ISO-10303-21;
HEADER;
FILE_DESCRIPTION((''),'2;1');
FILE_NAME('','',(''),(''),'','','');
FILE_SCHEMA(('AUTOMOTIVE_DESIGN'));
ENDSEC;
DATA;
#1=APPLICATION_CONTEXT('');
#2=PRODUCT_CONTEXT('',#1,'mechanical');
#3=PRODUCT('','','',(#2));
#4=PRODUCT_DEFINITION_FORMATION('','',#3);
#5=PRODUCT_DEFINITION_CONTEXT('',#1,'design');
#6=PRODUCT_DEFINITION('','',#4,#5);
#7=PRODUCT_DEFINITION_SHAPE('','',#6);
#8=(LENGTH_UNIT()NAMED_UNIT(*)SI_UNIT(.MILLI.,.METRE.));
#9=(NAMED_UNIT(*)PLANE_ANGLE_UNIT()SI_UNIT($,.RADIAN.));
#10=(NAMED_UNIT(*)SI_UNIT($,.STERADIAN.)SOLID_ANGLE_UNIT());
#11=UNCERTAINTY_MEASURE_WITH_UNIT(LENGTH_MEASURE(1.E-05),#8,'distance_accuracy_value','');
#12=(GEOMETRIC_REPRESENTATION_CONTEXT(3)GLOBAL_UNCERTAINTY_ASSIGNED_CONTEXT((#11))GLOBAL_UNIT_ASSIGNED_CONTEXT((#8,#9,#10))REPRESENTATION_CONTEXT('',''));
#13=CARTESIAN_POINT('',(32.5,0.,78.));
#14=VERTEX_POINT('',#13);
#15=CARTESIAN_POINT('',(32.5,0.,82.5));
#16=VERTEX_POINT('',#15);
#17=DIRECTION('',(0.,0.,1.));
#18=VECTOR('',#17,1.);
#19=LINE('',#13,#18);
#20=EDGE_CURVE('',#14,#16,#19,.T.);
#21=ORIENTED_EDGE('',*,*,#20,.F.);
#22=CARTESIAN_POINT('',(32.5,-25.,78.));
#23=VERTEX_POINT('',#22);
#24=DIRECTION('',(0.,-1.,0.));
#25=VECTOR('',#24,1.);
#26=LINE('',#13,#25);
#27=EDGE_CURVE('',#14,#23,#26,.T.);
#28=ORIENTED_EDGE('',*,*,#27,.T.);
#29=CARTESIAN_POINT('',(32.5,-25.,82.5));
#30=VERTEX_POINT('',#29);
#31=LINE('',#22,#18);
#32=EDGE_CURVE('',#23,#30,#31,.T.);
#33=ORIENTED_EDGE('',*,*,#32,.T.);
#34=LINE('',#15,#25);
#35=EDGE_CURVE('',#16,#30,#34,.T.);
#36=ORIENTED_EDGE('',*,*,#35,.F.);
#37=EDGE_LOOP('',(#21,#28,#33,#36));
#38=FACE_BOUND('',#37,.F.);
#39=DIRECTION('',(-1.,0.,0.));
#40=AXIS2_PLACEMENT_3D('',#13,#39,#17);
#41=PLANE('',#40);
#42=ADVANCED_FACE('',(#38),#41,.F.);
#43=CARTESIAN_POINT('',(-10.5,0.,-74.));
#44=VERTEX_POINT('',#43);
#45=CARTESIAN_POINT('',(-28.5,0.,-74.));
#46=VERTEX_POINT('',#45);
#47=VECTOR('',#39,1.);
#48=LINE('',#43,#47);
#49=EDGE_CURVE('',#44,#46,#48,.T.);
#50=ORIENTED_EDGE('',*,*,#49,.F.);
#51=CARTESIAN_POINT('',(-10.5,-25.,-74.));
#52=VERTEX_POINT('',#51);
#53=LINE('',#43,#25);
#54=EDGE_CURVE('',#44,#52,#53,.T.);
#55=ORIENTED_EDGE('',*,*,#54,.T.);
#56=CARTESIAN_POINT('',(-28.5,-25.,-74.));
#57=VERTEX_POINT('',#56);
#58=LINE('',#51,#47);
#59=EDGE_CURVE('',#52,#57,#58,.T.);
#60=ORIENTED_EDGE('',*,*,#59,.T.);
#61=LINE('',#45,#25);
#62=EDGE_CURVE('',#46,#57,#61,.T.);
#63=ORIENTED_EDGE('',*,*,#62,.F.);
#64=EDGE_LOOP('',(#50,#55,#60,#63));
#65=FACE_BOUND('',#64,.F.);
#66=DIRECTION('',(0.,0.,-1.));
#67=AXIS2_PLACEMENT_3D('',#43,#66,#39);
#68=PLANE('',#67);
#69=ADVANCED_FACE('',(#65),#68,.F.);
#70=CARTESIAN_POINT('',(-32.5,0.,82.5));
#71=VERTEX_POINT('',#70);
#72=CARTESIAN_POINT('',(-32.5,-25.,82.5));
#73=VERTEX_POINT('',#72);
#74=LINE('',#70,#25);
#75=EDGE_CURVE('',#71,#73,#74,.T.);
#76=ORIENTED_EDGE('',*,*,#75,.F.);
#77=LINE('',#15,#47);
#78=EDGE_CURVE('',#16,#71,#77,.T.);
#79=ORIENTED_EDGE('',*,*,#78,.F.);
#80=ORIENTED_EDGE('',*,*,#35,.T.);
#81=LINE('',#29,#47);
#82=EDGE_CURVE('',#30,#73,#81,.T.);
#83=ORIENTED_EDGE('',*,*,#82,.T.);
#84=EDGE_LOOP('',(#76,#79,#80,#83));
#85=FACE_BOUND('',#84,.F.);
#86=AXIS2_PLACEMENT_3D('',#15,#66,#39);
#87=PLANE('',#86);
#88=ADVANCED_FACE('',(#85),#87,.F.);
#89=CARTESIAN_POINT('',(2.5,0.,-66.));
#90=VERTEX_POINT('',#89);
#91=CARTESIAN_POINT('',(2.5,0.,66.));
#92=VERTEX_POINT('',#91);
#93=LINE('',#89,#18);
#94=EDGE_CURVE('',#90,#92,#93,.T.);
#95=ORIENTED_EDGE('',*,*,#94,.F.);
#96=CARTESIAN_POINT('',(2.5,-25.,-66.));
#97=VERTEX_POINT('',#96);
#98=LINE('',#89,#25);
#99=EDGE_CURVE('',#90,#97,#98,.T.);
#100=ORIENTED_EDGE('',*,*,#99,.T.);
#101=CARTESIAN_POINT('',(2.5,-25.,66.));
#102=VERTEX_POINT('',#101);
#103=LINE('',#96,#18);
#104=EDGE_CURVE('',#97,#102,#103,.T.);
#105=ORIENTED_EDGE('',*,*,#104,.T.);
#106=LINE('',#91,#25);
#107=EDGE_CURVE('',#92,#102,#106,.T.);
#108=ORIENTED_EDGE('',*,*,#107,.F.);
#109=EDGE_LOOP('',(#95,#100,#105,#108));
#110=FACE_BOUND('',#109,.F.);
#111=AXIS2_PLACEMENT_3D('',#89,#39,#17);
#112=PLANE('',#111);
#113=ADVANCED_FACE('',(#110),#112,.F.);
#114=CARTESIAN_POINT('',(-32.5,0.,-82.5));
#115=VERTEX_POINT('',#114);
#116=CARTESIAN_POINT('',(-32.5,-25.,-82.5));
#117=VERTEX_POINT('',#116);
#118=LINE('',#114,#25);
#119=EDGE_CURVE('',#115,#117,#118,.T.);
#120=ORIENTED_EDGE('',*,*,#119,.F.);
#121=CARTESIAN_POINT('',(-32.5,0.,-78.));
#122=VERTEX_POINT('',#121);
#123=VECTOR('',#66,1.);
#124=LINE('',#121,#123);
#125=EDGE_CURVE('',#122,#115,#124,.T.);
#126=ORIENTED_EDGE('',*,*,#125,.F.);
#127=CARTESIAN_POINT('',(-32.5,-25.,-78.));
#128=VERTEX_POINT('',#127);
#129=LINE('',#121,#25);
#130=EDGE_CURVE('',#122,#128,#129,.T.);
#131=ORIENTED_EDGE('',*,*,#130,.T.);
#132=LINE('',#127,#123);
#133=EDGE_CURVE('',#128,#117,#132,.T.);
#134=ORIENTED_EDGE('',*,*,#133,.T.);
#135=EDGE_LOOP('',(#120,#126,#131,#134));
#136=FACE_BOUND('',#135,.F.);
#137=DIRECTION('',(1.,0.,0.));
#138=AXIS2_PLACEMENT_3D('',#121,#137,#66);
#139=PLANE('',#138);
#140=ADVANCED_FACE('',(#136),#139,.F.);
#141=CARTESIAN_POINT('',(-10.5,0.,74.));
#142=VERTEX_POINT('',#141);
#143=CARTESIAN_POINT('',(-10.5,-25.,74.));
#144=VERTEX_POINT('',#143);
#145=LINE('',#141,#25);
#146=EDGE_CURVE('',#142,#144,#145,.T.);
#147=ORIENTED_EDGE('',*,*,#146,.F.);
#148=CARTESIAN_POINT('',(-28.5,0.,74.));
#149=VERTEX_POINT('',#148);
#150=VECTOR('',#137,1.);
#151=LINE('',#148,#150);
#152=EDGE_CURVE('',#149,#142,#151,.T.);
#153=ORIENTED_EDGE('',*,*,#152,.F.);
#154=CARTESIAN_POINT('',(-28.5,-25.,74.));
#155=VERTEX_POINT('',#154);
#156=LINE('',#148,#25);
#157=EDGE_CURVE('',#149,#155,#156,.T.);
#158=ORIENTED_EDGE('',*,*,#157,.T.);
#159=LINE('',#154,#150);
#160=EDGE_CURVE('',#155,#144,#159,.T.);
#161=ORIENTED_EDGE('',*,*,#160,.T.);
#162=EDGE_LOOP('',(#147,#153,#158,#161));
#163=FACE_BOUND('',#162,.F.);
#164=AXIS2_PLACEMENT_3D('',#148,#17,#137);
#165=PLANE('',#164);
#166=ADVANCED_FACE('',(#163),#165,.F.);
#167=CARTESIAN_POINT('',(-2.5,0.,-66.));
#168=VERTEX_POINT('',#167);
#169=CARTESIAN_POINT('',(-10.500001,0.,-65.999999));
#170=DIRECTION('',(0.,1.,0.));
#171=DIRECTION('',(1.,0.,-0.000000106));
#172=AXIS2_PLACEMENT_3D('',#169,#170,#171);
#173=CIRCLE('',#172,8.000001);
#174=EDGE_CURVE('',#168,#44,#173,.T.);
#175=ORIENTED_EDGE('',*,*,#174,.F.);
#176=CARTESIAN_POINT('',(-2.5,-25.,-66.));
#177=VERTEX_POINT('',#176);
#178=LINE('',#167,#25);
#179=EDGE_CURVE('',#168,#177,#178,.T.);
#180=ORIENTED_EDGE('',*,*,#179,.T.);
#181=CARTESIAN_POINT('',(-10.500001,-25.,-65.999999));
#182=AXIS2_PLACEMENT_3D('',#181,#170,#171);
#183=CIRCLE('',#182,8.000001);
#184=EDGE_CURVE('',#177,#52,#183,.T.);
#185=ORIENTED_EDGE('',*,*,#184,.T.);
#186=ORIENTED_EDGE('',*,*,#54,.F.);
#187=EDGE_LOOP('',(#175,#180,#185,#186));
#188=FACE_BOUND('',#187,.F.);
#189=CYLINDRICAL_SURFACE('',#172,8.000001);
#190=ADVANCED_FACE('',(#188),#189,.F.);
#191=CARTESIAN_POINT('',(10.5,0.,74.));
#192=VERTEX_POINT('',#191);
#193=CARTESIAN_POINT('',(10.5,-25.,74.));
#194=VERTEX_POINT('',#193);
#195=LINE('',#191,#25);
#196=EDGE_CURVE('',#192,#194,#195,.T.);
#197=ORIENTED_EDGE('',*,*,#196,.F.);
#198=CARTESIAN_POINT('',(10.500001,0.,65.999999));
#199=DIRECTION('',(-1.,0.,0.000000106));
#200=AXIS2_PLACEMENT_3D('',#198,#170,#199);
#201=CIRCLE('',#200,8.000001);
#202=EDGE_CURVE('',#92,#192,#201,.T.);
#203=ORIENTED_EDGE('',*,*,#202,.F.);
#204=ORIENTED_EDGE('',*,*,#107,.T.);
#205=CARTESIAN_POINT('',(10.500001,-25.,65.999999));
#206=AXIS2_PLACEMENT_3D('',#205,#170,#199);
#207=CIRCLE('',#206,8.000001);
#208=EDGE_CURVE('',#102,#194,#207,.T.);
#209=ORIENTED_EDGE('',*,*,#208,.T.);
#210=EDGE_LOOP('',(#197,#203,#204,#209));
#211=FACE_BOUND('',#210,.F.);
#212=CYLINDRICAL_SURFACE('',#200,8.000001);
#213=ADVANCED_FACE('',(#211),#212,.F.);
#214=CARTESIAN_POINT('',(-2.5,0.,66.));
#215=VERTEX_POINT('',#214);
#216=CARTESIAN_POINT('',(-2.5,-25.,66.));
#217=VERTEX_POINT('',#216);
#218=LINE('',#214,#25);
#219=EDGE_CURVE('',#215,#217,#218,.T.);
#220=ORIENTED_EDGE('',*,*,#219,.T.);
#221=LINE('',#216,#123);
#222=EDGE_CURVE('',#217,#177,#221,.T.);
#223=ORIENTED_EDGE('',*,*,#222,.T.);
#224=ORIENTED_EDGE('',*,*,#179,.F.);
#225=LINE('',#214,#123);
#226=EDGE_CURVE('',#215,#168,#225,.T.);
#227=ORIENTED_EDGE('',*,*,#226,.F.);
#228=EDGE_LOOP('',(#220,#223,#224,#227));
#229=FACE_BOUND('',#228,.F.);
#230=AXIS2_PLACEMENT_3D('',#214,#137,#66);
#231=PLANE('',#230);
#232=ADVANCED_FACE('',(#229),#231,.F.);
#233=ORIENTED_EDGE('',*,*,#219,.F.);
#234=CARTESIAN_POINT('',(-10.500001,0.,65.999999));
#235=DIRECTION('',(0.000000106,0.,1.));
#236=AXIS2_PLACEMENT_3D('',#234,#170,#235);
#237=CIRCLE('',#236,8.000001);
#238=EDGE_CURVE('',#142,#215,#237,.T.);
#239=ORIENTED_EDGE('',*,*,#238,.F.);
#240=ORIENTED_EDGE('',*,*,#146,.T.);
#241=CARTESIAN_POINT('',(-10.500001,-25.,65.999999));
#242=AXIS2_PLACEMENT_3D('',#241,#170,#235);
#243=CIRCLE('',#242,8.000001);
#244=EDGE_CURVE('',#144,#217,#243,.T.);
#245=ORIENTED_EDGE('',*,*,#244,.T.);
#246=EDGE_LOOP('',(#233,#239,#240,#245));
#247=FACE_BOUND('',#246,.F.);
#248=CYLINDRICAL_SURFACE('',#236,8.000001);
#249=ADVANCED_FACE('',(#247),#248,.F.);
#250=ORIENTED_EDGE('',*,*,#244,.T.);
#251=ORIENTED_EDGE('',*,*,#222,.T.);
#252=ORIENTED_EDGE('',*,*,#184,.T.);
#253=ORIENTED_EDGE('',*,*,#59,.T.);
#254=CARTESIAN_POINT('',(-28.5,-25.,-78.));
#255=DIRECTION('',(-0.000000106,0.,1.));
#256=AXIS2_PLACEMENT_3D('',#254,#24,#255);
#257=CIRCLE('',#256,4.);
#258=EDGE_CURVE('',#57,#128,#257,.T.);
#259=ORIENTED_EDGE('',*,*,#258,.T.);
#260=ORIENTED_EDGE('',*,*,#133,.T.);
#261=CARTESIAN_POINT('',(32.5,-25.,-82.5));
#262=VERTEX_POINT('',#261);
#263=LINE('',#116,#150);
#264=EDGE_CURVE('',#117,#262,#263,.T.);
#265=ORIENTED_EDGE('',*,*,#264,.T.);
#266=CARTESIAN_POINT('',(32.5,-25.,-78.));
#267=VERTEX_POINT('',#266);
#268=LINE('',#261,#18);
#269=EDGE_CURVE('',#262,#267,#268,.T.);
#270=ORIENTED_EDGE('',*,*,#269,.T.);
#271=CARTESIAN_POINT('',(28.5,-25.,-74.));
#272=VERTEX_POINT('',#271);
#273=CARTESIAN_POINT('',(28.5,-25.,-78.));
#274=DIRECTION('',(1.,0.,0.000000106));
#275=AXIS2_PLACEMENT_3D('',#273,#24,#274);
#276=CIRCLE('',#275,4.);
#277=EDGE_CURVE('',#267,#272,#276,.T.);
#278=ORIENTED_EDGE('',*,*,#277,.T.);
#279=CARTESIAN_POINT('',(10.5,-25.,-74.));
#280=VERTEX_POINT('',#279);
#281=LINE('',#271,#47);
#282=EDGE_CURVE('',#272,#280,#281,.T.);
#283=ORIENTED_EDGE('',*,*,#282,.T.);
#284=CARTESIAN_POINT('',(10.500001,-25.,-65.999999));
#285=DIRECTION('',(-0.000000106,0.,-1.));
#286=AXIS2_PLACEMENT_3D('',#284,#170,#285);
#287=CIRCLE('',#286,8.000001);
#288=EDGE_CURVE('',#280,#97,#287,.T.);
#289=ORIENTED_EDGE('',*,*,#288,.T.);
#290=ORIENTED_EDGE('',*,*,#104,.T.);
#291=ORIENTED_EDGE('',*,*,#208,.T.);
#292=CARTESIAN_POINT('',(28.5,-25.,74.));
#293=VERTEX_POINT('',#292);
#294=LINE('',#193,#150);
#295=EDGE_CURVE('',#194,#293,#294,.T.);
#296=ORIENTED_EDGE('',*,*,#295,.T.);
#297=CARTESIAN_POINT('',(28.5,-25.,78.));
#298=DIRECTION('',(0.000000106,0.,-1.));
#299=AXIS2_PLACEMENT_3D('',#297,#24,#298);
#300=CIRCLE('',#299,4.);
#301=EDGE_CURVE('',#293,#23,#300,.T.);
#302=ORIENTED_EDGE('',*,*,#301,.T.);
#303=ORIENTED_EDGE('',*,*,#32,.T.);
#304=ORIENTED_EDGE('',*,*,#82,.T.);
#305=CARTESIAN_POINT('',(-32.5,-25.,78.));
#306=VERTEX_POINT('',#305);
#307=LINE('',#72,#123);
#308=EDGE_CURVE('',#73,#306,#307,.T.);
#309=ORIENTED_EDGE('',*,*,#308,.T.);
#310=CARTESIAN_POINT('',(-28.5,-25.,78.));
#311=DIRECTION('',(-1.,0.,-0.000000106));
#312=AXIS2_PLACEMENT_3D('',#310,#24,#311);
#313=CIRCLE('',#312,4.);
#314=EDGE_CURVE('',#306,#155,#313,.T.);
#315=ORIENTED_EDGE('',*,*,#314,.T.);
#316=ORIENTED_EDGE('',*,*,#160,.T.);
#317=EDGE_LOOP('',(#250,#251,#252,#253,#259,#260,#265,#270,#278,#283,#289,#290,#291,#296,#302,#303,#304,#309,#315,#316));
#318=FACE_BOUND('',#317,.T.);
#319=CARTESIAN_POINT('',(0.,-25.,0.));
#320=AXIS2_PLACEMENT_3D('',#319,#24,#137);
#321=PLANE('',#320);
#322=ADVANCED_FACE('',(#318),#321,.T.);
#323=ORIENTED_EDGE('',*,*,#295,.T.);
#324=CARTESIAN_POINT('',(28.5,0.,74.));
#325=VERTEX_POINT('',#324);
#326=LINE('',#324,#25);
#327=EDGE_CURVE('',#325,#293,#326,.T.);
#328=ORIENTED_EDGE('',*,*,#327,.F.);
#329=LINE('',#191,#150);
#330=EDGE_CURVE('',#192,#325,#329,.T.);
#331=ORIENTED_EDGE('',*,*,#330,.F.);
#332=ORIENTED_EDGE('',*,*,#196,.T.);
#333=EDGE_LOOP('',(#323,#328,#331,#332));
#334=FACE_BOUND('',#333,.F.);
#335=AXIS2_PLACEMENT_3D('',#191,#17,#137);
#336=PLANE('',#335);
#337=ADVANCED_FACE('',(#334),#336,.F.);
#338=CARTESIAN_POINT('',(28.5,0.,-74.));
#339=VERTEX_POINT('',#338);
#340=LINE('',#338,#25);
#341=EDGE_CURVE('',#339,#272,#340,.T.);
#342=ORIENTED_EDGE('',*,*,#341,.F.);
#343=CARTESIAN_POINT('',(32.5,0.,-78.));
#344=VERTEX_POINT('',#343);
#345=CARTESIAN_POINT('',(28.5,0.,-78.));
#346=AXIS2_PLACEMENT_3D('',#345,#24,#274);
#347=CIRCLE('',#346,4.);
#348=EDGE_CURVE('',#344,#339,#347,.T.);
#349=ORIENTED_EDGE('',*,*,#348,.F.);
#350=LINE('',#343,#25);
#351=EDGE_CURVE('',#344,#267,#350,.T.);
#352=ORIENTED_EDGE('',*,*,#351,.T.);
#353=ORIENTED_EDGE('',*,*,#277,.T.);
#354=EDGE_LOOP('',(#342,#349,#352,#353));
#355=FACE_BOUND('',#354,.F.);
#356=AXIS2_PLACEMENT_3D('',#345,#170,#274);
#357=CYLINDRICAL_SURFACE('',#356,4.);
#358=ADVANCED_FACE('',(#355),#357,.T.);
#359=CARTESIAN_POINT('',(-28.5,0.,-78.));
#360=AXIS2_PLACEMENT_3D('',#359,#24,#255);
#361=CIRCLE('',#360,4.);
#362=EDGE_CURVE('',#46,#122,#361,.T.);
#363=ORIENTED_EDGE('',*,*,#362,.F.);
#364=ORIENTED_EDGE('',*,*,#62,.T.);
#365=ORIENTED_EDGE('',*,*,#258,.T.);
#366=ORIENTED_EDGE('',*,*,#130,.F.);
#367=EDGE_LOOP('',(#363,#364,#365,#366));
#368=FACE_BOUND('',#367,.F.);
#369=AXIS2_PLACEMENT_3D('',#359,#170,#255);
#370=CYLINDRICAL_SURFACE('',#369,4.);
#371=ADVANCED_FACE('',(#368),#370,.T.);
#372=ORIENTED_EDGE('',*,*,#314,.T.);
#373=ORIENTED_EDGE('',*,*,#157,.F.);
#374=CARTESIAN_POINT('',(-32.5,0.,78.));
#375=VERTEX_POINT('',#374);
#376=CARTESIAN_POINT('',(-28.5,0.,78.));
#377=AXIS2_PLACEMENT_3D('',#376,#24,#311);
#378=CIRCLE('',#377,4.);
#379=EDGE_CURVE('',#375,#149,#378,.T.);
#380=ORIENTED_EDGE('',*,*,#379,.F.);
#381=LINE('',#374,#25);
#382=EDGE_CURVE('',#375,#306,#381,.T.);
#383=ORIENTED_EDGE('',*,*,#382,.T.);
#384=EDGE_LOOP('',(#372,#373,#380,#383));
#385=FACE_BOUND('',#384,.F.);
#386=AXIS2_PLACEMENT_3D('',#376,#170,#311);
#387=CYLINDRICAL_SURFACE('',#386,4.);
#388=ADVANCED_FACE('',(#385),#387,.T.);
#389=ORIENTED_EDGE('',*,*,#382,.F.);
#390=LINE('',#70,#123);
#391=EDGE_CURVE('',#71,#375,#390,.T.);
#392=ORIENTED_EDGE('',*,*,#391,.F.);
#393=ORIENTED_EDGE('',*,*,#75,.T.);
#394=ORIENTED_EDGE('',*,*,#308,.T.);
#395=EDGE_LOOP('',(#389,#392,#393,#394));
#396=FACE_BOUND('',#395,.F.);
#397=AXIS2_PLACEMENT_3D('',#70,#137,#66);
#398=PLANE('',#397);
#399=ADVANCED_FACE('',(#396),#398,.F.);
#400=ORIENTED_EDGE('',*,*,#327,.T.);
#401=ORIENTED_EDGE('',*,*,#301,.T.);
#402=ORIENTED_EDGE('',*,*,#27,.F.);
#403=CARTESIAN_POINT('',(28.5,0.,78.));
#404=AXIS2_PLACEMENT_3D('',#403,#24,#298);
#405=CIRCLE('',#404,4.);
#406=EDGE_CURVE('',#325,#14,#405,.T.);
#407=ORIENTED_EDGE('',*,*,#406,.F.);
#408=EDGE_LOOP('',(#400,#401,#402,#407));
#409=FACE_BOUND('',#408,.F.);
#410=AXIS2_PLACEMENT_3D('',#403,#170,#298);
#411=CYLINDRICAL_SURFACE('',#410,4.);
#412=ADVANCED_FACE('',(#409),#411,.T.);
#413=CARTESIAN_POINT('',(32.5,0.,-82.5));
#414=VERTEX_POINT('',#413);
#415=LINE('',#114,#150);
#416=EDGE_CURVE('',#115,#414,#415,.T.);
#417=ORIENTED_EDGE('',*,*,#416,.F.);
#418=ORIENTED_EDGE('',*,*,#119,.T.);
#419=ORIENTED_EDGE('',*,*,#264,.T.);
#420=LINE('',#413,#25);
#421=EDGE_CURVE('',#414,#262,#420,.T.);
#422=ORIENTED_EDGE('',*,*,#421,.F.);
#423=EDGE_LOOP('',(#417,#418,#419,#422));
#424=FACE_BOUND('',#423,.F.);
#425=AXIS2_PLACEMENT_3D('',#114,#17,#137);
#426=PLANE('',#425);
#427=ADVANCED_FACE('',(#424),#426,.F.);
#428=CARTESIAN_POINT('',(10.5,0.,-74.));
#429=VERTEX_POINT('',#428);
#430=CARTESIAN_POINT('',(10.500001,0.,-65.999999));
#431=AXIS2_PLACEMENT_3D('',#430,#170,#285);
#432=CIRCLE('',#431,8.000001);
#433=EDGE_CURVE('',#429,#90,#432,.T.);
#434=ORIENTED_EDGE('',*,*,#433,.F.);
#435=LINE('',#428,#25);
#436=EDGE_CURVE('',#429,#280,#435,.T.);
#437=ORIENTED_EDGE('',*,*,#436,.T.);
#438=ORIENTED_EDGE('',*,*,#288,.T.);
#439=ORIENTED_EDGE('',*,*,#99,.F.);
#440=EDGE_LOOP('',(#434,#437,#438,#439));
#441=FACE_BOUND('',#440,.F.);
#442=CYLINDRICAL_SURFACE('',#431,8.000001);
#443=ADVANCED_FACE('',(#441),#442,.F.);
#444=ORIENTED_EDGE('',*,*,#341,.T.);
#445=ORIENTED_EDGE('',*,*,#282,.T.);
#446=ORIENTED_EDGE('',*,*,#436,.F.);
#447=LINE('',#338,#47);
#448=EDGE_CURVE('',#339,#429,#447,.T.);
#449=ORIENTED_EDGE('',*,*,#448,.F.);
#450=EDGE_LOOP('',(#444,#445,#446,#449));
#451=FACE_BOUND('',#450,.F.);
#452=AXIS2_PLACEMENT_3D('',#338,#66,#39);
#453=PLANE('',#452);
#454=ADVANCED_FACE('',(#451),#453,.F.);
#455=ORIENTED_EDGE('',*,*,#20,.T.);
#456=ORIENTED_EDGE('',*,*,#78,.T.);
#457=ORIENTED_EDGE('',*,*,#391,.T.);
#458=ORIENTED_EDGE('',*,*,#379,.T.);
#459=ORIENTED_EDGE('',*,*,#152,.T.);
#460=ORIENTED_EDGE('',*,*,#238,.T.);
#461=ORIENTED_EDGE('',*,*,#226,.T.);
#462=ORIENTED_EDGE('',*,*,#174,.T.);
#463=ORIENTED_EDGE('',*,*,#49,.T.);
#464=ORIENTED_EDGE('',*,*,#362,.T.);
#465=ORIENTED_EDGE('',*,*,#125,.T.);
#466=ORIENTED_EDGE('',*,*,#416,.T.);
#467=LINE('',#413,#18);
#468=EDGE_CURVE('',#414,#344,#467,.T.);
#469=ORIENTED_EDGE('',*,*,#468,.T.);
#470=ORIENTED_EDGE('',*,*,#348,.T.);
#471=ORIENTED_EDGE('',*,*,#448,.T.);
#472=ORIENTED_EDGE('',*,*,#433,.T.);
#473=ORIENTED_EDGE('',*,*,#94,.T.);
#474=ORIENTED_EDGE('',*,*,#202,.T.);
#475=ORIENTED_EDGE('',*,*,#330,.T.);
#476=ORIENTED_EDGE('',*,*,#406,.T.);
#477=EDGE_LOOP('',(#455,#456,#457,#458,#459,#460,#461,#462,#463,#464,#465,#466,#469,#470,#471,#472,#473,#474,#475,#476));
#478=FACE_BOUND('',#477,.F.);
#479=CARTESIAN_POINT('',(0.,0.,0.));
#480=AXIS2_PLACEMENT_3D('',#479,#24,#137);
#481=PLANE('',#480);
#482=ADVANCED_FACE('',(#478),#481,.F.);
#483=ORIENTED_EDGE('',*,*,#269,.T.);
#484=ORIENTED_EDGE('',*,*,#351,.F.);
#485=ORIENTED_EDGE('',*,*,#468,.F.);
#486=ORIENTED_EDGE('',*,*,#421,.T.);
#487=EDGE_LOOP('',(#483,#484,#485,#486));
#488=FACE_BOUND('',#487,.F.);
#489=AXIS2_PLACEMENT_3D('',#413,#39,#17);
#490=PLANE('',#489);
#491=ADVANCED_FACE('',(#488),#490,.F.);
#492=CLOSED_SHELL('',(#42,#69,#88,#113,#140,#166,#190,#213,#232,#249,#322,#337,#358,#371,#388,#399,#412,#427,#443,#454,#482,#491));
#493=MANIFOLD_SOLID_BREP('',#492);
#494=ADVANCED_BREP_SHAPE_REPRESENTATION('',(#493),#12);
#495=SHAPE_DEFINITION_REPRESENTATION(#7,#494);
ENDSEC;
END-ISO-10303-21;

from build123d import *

# Parameters (mm, degrees)
F1_DEPTH = 25


with BuildPart() as f1:
    # F0 (on Front) → F1 (new body)
    with BuildSketch(Plane.XZ):
        with BuildLine():
            Line((32.5, 82.5), (-32.5, 82.5))
            Line((-32.5, 82.5), (-32.5, 78))
            ThreePointArc((-32.5, 78), (-31.328427, 75.171573), (-28.5, 74))
            Line((-28.5, 74), (-10.5, 74))
            ThreePointArc((-10.5, 74), (-4.843146, 71.656854), (-2.5, 66))
            Line((-2.5, 66), (-2.5, -66))
            ThreePointArc((-2.5, -66), (-4.843146, -71.656854), (-10.5, -74))
            Line((-10.5, -74), (-28.5, -74))
            ThreePointArc((-28.5, -74), (-31.328427, -75.171573), (-32.5, -78))
            Line((-32.5, -78), (-32.5, -82.5))
            Line((-32.5, -82.5), (32.5, -82.5))
            Line((32.5, -82.5), (32.5, -78))
            ThreePointArc((32.5, -78), (31.328427, -75.171573), (28.5, -74))
            Line((28.5, -74), (10.5, -74))
            ThreePointArc((10.5, -74), (4.843146, -71.656854), (2.5, -66))
            Line((2.5, -66), (2.5, 66))
            ThreePointArc((2.5, 66), (4.843146, 71.656854), (10.5, 74))
            Line((10.5, 74), (28.5, 74))
            ThreePointArc((28.5, 74), (31.328427, 75.171573), (32.5, 78))
            Line((32.5, 78), (32.5, 82.5))
        make_face()
    extrude(amount=F1_DEPTH)


solid = f1.part
